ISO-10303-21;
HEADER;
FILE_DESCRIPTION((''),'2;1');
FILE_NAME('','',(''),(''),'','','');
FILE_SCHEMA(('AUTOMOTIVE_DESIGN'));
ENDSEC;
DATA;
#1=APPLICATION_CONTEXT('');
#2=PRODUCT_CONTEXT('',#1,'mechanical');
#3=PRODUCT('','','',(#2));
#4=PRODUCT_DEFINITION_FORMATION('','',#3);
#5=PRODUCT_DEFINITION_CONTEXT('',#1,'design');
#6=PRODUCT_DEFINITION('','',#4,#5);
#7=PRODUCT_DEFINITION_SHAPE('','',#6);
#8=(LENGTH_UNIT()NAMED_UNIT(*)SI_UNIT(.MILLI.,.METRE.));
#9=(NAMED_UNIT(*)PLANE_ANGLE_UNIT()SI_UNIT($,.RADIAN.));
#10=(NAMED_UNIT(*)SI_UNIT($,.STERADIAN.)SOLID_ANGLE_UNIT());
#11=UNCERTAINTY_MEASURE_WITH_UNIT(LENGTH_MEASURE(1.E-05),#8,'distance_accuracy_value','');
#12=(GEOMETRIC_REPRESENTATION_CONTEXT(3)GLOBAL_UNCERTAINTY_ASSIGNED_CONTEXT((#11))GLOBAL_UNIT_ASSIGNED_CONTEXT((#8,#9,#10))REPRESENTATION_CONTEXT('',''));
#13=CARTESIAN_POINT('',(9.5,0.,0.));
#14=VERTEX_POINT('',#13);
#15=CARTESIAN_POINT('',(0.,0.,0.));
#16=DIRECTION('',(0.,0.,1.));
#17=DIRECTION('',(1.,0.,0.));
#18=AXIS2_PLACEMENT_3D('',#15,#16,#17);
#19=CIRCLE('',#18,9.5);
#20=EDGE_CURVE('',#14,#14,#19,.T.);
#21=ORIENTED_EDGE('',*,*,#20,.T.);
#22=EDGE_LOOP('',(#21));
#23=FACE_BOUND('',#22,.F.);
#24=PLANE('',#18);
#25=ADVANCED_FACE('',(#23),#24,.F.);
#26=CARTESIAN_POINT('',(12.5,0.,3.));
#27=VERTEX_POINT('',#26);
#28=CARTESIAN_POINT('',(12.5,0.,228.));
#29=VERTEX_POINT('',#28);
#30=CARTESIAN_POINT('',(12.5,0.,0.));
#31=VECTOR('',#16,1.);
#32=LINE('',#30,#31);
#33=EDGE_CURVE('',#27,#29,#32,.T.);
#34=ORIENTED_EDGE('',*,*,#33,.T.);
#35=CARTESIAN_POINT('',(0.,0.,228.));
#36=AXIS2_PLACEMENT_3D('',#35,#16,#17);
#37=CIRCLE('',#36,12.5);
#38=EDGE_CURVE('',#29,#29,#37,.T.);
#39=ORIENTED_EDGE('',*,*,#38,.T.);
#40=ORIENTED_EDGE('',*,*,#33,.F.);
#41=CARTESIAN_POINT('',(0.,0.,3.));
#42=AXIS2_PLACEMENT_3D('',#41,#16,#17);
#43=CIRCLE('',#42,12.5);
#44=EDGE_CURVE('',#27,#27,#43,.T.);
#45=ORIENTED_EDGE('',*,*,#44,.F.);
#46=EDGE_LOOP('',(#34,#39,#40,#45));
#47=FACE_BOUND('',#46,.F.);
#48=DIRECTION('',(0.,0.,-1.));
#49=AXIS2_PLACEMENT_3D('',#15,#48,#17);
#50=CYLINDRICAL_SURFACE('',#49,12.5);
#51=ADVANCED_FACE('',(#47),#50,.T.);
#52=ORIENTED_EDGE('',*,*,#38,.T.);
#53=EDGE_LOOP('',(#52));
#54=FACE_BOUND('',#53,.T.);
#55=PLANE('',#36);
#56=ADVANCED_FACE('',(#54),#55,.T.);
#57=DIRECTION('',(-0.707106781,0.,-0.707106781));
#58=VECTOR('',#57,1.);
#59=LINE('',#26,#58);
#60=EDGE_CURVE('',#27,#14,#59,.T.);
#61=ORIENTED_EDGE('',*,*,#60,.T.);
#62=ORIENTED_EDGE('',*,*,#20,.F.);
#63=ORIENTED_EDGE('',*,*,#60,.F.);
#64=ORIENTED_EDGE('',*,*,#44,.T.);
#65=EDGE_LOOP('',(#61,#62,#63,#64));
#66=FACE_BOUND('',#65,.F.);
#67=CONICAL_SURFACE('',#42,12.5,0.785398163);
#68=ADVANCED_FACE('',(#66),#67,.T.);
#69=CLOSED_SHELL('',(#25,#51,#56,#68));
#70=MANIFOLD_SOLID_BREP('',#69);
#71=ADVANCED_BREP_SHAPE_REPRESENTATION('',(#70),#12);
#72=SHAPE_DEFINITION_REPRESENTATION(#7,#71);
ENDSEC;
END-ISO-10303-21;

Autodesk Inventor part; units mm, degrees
ref_plane "YZ Plane" through (0, 0, 0) normal (1, 0, 0) x (0, 1, 0)
ref_plane "XZ Plane" through (0, 0, 0) normal (0, 1, 0) x (-1, 0, 0)
ref_plane "XY Plane" through (0, 0, 0) normal (0, 0, 1) x (1, 0, 0)
sketch "Sketch1" plane through (0, 0, 0) normal (0, 0, 1) x (1, 0, 0)
  circle A0 centre (0, 0) radius 12.5
  dimension "d0" = 25
extrude "Extrusion1" add sketch "Sketch1" along normal blind 228
chamfer "Chamfer1" distance 3 angle 45 1 edges at (-12.5, 0, 0)
equation "\"d0\" = trappestifter_dia"
equation "\"d1\" = trappestifter_laengde"
equation "\"trappestifter_dia\" = 25"
equation "\"trappestifter_laengde\" = 228"
equation "\"perforeringsbredde\" = 6"
equation "\"perforeringshullaengde\" = 62.8"
equation "\"perforeringsoffset\" = 8"
equation "\"perforeringsoffset_top\" = 8"
equation "\"perforeringsoffset_bund\" = 8"
equation "\"laskehul_dia\" = 13"
equation "\"perforeringshullaengde_bund\" = 61.6"
equation "\"perforeringshullaengde_top\" = 61"
equation "\"trappestifter_huldia\" = 25.8"
equation "\"trappestifter_skraa_huldia\" = 26.6"
equation "\"trappevinkel\" = 34.3deg"
equation "\"balusterhul_udvidelse\" = 1"
equation "\"pladetykkelse\" = 3"
equation "\"trinbredde\" = 1884"
properties part number "trappestift" material "S355J2"
